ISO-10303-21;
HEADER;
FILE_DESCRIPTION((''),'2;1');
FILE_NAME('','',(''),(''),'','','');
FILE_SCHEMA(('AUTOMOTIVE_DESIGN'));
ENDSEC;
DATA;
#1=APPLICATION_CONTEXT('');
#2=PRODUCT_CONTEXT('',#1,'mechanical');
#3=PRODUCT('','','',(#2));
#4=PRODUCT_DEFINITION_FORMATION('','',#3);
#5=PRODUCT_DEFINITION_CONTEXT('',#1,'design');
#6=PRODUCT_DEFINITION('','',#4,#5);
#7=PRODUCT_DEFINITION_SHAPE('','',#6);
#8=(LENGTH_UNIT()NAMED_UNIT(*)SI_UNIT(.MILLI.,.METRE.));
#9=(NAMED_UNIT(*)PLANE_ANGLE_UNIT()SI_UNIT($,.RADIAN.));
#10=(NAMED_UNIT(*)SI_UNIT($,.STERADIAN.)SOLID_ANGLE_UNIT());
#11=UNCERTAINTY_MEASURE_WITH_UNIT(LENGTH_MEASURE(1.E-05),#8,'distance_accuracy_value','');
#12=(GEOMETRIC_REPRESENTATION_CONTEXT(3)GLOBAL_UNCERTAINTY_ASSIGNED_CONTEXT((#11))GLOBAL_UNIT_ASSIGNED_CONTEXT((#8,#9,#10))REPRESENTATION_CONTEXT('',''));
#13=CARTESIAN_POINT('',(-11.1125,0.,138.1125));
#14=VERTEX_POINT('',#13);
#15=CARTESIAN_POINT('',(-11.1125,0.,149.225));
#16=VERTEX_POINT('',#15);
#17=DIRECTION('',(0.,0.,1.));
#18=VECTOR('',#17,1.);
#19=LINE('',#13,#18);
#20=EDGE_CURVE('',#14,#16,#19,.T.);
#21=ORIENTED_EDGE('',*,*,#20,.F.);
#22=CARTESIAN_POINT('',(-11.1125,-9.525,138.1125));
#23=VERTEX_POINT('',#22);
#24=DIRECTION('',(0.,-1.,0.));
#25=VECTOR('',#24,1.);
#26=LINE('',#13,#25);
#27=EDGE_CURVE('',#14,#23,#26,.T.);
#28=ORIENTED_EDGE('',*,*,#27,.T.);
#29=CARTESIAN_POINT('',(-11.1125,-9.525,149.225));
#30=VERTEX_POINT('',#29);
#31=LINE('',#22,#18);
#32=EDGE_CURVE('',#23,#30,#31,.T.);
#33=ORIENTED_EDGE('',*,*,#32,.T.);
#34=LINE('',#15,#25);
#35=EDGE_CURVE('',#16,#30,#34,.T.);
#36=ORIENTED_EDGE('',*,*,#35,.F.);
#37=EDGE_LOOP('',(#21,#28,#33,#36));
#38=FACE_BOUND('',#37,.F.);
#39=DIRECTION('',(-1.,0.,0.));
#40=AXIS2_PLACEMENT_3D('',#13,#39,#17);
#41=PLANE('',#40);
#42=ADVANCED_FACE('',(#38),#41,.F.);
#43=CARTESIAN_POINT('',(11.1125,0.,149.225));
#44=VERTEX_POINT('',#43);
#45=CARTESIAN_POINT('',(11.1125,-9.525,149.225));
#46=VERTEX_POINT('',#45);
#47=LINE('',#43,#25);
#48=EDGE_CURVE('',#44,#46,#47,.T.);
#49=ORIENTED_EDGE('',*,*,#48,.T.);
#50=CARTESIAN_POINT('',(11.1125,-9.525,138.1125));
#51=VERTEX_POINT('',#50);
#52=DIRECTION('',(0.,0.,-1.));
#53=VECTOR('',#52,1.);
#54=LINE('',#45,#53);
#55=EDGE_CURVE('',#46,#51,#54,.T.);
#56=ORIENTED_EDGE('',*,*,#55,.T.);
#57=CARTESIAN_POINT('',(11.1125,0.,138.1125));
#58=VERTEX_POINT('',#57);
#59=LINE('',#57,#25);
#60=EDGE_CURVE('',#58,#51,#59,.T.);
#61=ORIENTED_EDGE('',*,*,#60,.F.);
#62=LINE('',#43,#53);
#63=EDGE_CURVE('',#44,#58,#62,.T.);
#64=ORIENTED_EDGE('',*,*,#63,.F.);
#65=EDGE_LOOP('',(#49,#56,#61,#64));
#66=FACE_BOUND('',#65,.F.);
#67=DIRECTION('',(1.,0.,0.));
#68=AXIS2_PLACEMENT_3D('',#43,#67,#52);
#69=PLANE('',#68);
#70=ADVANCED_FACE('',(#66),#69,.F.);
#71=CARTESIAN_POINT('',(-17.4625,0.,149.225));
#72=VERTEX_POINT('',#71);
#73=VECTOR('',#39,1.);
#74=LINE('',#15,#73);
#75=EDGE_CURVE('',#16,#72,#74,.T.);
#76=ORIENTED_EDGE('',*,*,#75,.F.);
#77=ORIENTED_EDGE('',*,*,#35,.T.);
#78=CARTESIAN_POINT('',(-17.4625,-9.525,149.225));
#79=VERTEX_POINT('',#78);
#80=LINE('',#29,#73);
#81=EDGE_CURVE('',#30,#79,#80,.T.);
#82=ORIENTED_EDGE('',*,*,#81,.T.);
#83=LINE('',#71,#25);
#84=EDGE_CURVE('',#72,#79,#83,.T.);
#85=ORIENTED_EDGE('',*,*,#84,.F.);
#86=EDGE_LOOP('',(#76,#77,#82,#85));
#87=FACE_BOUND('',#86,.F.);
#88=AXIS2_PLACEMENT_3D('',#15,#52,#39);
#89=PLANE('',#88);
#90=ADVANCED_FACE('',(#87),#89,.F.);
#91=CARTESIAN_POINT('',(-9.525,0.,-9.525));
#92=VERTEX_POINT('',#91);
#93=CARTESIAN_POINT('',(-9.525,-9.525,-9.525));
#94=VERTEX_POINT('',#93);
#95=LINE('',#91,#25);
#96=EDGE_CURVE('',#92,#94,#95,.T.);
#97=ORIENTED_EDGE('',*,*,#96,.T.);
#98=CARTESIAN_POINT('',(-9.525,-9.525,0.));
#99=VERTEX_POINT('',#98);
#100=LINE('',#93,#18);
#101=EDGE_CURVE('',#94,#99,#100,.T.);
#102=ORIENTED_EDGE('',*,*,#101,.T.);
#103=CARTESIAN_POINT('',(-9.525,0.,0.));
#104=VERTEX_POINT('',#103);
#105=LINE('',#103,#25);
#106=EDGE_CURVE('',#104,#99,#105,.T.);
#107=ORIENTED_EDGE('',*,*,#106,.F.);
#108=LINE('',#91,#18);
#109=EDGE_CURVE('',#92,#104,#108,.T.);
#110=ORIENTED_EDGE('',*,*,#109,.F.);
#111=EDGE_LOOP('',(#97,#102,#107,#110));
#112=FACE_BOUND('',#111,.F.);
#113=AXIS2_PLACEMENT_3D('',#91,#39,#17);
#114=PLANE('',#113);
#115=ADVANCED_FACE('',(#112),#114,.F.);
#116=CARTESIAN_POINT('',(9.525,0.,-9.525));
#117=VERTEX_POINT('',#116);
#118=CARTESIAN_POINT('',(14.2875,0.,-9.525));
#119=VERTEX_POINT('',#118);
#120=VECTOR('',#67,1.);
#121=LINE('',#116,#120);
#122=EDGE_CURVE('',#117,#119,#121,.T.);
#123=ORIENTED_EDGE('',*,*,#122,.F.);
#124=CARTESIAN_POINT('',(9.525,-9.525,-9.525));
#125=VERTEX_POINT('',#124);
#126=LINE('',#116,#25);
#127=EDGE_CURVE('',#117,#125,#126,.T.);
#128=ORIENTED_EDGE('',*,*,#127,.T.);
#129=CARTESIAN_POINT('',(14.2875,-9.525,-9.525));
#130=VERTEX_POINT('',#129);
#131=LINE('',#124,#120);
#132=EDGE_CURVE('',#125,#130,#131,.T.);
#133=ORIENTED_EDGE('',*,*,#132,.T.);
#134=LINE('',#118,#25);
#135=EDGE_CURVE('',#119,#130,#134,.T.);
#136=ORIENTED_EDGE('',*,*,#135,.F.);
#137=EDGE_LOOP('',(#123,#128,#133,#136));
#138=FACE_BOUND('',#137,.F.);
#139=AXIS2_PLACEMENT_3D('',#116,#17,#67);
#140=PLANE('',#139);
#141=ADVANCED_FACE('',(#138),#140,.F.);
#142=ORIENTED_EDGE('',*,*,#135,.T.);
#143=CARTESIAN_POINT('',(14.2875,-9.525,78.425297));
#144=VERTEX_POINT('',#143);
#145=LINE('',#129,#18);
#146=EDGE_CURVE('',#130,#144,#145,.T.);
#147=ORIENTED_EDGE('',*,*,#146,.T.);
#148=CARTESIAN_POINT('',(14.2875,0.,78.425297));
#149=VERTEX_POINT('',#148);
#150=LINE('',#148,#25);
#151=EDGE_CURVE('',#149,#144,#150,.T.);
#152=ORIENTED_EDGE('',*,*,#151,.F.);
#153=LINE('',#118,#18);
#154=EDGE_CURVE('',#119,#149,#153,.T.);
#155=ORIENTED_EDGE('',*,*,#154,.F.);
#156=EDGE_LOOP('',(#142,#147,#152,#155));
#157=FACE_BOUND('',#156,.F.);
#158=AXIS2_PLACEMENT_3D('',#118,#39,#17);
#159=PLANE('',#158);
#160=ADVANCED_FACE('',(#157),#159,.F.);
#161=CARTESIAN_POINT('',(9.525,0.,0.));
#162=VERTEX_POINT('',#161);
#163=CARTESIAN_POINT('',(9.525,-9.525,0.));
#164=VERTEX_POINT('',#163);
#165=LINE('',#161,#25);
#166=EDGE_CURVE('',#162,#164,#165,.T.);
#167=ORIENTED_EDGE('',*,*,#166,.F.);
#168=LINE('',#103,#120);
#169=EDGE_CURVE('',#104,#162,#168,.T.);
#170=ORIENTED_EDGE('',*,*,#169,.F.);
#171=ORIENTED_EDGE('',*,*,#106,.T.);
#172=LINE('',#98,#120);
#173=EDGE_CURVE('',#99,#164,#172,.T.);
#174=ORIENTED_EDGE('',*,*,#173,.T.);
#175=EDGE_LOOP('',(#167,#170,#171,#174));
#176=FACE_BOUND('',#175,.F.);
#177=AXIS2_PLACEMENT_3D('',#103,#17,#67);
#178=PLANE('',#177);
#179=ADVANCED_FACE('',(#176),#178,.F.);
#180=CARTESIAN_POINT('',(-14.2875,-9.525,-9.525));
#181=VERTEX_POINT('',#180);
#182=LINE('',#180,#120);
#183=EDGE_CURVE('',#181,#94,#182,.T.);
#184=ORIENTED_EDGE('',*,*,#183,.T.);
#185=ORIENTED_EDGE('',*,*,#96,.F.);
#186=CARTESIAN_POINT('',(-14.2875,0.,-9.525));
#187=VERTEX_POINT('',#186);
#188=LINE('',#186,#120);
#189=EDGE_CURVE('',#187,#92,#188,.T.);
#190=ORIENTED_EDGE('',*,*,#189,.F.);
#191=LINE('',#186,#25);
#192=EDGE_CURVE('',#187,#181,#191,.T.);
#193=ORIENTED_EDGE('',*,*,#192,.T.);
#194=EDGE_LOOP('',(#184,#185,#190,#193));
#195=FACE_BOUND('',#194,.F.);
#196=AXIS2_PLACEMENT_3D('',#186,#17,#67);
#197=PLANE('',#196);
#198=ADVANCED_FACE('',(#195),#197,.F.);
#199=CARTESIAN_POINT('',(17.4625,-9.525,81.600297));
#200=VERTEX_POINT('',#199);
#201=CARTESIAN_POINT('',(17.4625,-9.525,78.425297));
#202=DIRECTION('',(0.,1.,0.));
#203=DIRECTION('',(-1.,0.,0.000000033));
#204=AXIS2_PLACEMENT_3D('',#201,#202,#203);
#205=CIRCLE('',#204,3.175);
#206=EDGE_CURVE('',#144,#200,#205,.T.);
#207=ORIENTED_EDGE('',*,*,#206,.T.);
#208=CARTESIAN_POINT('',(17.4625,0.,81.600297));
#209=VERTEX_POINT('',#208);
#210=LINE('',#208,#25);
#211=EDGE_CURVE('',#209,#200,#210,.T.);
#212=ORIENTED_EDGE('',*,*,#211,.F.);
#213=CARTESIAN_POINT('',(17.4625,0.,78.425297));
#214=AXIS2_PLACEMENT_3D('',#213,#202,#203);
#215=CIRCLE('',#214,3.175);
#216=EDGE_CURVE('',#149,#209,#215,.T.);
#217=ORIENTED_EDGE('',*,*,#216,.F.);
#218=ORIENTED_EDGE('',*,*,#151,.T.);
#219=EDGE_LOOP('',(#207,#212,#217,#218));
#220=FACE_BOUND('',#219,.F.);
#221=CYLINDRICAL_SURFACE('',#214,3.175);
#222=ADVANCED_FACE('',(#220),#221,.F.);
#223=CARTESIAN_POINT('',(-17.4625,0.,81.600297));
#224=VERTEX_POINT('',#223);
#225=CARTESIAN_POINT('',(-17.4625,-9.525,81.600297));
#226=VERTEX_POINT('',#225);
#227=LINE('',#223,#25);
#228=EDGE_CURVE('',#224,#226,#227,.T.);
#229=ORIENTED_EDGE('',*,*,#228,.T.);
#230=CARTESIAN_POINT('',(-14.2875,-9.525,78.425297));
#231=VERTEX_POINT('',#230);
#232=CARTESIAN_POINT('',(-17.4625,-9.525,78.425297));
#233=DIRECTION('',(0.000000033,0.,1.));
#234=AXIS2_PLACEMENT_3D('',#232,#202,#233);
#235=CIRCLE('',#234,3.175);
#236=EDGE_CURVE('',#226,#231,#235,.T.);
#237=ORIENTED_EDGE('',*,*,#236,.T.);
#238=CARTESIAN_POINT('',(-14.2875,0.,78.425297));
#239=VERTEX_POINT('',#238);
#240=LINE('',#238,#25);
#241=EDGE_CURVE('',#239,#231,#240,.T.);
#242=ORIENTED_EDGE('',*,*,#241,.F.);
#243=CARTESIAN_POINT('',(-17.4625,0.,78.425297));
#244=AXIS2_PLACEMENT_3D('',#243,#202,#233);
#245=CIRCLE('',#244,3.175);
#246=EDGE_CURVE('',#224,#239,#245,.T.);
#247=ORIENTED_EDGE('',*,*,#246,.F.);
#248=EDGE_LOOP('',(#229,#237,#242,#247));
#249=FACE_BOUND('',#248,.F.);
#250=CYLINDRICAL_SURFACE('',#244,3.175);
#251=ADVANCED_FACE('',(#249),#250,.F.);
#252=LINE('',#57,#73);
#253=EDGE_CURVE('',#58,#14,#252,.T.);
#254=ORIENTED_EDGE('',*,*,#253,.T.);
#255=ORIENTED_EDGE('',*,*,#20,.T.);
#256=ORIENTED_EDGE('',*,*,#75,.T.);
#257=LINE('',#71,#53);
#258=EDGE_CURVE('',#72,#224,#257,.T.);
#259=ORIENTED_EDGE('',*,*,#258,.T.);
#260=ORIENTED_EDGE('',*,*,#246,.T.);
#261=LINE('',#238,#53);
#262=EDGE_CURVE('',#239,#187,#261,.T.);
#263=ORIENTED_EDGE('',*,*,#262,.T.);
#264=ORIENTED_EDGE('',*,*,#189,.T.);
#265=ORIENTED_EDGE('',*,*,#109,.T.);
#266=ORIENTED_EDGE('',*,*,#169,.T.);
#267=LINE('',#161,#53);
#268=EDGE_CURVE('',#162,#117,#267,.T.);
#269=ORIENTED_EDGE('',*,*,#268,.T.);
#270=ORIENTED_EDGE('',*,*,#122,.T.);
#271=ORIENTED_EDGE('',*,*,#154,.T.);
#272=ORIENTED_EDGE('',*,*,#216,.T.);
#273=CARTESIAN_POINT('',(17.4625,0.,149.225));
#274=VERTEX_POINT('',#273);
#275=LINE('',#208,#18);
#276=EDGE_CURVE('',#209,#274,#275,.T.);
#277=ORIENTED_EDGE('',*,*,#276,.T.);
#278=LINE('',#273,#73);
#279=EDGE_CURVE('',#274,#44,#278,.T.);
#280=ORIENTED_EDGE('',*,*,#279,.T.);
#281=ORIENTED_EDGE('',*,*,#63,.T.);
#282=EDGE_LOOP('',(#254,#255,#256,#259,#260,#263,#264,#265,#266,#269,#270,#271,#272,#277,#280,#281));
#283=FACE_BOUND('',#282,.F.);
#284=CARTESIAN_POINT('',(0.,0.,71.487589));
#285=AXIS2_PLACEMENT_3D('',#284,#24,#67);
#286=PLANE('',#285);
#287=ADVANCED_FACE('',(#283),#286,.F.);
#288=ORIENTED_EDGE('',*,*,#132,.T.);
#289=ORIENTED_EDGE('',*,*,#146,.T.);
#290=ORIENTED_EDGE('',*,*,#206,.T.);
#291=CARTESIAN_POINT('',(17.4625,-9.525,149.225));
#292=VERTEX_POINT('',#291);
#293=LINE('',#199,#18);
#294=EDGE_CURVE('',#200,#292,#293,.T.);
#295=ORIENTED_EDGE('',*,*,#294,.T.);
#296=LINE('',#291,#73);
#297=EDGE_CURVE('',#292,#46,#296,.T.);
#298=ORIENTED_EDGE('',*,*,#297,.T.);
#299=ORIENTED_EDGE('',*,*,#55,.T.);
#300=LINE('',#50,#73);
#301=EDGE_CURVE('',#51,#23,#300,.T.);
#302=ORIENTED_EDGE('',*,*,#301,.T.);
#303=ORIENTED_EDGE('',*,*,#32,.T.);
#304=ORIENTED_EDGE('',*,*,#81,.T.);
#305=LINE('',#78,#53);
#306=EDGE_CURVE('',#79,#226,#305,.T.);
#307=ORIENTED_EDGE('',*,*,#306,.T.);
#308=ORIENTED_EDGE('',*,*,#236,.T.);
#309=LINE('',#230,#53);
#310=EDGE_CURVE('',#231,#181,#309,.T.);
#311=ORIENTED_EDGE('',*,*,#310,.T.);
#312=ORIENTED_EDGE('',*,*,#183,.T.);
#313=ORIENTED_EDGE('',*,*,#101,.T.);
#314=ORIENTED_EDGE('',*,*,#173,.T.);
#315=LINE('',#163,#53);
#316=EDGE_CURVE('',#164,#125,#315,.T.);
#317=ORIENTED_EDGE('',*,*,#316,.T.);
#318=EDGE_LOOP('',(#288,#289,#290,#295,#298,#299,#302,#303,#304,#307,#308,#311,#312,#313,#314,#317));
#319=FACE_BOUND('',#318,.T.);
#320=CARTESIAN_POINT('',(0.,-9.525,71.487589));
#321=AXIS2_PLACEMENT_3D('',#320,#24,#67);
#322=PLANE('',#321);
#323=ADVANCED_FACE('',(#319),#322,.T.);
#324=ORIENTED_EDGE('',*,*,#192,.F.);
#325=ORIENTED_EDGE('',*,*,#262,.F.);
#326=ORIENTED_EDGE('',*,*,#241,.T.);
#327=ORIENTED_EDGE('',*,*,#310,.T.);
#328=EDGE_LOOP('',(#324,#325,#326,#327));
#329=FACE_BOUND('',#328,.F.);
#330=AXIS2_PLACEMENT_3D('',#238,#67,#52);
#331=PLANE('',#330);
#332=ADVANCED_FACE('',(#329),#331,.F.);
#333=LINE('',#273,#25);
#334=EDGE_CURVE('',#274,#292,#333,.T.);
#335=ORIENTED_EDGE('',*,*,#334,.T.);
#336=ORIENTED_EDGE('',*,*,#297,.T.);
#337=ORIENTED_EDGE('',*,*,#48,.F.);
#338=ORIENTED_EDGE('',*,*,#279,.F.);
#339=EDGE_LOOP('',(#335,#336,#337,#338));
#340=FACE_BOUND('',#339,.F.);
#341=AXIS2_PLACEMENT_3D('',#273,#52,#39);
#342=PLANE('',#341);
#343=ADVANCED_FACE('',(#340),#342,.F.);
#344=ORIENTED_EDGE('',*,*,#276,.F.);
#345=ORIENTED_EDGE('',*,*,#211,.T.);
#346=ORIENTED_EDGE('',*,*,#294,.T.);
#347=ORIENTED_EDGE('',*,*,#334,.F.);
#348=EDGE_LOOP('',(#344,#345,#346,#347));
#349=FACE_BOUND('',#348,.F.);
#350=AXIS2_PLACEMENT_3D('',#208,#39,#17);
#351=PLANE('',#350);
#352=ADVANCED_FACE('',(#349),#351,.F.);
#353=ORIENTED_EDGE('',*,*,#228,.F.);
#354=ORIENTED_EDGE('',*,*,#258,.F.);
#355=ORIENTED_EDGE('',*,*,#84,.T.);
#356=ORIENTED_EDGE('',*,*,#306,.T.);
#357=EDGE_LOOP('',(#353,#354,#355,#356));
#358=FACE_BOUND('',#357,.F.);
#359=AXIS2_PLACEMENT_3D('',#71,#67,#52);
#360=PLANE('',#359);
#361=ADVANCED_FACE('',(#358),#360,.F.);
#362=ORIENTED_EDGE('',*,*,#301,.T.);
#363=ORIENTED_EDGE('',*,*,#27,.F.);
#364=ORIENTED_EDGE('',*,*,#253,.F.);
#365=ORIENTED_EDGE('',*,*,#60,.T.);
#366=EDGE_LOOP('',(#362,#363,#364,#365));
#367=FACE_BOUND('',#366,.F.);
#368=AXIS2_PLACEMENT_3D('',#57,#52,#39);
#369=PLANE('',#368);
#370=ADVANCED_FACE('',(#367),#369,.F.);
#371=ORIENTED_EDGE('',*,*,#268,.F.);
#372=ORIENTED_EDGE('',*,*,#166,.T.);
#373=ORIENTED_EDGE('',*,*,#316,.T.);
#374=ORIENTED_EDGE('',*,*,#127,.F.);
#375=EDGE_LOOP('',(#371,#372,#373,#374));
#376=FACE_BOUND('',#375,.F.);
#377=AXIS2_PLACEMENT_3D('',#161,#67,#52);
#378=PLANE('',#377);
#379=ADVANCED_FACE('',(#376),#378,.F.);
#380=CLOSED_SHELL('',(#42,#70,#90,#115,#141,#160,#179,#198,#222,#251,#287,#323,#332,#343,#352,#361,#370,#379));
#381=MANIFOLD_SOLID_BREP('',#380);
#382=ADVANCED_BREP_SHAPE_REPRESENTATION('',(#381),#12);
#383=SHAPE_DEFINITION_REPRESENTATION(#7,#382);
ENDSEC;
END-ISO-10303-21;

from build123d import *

# Parameters (mm, degrees)
F1_DEPTH = 9.525


with BuildPart() as f1:
    # F0 (on Front) → F1 (new body)
    with BuildSketch(Plane.XZ):
        with BuildLine():
            Line((-9.525, 0), (0, 0))
            Line((0, 0), (9.525, 0))
            Line((9.525, 0), (9.525, -9.525))
            Line((9.525, -9.525), (14.2875, -9.525))
            Line((14.2875, -9.525), (14.2875, 78.425297))
            ThreePointArc((14.2875, 78.425297), (15.217436, 80.670361), (17.4625, 81.600297))
            Line((17.4625, 81.600297), (17.4625, 149.225))
            Line((17.4625, 149.225), (11.1125, 149.225))
            Line((11.1125, 149.225), (11.1125, 138.1125))
            Line((11.1125, 138.1125), (0, 138.1125))
            Line((0, 138.1125), (-11.1125, 138.1125))
            Line((-11.1125, 138.1125), (-11.1125, 149.225))
            Line((-11.1125, 149.225), (-17.4625, 149.225))
            Line((-17.4625, 149.225), (-17.4625, 81.600297))
            ThreePointArc((-17.4625, 81.600297), (-15.217436, 80.670361), (-14.2875, 78.425297))
            Line((-14.2875, 78.425297), (-14.2875, -9.525))
            Line((-14.2875, -9.525), (-9.525, -9.525))
            Line((-9.525, -9.525), (-9.525, 0))
        make_face()
    extrude(amount=F1_DEPTH)


solid = f1.part
